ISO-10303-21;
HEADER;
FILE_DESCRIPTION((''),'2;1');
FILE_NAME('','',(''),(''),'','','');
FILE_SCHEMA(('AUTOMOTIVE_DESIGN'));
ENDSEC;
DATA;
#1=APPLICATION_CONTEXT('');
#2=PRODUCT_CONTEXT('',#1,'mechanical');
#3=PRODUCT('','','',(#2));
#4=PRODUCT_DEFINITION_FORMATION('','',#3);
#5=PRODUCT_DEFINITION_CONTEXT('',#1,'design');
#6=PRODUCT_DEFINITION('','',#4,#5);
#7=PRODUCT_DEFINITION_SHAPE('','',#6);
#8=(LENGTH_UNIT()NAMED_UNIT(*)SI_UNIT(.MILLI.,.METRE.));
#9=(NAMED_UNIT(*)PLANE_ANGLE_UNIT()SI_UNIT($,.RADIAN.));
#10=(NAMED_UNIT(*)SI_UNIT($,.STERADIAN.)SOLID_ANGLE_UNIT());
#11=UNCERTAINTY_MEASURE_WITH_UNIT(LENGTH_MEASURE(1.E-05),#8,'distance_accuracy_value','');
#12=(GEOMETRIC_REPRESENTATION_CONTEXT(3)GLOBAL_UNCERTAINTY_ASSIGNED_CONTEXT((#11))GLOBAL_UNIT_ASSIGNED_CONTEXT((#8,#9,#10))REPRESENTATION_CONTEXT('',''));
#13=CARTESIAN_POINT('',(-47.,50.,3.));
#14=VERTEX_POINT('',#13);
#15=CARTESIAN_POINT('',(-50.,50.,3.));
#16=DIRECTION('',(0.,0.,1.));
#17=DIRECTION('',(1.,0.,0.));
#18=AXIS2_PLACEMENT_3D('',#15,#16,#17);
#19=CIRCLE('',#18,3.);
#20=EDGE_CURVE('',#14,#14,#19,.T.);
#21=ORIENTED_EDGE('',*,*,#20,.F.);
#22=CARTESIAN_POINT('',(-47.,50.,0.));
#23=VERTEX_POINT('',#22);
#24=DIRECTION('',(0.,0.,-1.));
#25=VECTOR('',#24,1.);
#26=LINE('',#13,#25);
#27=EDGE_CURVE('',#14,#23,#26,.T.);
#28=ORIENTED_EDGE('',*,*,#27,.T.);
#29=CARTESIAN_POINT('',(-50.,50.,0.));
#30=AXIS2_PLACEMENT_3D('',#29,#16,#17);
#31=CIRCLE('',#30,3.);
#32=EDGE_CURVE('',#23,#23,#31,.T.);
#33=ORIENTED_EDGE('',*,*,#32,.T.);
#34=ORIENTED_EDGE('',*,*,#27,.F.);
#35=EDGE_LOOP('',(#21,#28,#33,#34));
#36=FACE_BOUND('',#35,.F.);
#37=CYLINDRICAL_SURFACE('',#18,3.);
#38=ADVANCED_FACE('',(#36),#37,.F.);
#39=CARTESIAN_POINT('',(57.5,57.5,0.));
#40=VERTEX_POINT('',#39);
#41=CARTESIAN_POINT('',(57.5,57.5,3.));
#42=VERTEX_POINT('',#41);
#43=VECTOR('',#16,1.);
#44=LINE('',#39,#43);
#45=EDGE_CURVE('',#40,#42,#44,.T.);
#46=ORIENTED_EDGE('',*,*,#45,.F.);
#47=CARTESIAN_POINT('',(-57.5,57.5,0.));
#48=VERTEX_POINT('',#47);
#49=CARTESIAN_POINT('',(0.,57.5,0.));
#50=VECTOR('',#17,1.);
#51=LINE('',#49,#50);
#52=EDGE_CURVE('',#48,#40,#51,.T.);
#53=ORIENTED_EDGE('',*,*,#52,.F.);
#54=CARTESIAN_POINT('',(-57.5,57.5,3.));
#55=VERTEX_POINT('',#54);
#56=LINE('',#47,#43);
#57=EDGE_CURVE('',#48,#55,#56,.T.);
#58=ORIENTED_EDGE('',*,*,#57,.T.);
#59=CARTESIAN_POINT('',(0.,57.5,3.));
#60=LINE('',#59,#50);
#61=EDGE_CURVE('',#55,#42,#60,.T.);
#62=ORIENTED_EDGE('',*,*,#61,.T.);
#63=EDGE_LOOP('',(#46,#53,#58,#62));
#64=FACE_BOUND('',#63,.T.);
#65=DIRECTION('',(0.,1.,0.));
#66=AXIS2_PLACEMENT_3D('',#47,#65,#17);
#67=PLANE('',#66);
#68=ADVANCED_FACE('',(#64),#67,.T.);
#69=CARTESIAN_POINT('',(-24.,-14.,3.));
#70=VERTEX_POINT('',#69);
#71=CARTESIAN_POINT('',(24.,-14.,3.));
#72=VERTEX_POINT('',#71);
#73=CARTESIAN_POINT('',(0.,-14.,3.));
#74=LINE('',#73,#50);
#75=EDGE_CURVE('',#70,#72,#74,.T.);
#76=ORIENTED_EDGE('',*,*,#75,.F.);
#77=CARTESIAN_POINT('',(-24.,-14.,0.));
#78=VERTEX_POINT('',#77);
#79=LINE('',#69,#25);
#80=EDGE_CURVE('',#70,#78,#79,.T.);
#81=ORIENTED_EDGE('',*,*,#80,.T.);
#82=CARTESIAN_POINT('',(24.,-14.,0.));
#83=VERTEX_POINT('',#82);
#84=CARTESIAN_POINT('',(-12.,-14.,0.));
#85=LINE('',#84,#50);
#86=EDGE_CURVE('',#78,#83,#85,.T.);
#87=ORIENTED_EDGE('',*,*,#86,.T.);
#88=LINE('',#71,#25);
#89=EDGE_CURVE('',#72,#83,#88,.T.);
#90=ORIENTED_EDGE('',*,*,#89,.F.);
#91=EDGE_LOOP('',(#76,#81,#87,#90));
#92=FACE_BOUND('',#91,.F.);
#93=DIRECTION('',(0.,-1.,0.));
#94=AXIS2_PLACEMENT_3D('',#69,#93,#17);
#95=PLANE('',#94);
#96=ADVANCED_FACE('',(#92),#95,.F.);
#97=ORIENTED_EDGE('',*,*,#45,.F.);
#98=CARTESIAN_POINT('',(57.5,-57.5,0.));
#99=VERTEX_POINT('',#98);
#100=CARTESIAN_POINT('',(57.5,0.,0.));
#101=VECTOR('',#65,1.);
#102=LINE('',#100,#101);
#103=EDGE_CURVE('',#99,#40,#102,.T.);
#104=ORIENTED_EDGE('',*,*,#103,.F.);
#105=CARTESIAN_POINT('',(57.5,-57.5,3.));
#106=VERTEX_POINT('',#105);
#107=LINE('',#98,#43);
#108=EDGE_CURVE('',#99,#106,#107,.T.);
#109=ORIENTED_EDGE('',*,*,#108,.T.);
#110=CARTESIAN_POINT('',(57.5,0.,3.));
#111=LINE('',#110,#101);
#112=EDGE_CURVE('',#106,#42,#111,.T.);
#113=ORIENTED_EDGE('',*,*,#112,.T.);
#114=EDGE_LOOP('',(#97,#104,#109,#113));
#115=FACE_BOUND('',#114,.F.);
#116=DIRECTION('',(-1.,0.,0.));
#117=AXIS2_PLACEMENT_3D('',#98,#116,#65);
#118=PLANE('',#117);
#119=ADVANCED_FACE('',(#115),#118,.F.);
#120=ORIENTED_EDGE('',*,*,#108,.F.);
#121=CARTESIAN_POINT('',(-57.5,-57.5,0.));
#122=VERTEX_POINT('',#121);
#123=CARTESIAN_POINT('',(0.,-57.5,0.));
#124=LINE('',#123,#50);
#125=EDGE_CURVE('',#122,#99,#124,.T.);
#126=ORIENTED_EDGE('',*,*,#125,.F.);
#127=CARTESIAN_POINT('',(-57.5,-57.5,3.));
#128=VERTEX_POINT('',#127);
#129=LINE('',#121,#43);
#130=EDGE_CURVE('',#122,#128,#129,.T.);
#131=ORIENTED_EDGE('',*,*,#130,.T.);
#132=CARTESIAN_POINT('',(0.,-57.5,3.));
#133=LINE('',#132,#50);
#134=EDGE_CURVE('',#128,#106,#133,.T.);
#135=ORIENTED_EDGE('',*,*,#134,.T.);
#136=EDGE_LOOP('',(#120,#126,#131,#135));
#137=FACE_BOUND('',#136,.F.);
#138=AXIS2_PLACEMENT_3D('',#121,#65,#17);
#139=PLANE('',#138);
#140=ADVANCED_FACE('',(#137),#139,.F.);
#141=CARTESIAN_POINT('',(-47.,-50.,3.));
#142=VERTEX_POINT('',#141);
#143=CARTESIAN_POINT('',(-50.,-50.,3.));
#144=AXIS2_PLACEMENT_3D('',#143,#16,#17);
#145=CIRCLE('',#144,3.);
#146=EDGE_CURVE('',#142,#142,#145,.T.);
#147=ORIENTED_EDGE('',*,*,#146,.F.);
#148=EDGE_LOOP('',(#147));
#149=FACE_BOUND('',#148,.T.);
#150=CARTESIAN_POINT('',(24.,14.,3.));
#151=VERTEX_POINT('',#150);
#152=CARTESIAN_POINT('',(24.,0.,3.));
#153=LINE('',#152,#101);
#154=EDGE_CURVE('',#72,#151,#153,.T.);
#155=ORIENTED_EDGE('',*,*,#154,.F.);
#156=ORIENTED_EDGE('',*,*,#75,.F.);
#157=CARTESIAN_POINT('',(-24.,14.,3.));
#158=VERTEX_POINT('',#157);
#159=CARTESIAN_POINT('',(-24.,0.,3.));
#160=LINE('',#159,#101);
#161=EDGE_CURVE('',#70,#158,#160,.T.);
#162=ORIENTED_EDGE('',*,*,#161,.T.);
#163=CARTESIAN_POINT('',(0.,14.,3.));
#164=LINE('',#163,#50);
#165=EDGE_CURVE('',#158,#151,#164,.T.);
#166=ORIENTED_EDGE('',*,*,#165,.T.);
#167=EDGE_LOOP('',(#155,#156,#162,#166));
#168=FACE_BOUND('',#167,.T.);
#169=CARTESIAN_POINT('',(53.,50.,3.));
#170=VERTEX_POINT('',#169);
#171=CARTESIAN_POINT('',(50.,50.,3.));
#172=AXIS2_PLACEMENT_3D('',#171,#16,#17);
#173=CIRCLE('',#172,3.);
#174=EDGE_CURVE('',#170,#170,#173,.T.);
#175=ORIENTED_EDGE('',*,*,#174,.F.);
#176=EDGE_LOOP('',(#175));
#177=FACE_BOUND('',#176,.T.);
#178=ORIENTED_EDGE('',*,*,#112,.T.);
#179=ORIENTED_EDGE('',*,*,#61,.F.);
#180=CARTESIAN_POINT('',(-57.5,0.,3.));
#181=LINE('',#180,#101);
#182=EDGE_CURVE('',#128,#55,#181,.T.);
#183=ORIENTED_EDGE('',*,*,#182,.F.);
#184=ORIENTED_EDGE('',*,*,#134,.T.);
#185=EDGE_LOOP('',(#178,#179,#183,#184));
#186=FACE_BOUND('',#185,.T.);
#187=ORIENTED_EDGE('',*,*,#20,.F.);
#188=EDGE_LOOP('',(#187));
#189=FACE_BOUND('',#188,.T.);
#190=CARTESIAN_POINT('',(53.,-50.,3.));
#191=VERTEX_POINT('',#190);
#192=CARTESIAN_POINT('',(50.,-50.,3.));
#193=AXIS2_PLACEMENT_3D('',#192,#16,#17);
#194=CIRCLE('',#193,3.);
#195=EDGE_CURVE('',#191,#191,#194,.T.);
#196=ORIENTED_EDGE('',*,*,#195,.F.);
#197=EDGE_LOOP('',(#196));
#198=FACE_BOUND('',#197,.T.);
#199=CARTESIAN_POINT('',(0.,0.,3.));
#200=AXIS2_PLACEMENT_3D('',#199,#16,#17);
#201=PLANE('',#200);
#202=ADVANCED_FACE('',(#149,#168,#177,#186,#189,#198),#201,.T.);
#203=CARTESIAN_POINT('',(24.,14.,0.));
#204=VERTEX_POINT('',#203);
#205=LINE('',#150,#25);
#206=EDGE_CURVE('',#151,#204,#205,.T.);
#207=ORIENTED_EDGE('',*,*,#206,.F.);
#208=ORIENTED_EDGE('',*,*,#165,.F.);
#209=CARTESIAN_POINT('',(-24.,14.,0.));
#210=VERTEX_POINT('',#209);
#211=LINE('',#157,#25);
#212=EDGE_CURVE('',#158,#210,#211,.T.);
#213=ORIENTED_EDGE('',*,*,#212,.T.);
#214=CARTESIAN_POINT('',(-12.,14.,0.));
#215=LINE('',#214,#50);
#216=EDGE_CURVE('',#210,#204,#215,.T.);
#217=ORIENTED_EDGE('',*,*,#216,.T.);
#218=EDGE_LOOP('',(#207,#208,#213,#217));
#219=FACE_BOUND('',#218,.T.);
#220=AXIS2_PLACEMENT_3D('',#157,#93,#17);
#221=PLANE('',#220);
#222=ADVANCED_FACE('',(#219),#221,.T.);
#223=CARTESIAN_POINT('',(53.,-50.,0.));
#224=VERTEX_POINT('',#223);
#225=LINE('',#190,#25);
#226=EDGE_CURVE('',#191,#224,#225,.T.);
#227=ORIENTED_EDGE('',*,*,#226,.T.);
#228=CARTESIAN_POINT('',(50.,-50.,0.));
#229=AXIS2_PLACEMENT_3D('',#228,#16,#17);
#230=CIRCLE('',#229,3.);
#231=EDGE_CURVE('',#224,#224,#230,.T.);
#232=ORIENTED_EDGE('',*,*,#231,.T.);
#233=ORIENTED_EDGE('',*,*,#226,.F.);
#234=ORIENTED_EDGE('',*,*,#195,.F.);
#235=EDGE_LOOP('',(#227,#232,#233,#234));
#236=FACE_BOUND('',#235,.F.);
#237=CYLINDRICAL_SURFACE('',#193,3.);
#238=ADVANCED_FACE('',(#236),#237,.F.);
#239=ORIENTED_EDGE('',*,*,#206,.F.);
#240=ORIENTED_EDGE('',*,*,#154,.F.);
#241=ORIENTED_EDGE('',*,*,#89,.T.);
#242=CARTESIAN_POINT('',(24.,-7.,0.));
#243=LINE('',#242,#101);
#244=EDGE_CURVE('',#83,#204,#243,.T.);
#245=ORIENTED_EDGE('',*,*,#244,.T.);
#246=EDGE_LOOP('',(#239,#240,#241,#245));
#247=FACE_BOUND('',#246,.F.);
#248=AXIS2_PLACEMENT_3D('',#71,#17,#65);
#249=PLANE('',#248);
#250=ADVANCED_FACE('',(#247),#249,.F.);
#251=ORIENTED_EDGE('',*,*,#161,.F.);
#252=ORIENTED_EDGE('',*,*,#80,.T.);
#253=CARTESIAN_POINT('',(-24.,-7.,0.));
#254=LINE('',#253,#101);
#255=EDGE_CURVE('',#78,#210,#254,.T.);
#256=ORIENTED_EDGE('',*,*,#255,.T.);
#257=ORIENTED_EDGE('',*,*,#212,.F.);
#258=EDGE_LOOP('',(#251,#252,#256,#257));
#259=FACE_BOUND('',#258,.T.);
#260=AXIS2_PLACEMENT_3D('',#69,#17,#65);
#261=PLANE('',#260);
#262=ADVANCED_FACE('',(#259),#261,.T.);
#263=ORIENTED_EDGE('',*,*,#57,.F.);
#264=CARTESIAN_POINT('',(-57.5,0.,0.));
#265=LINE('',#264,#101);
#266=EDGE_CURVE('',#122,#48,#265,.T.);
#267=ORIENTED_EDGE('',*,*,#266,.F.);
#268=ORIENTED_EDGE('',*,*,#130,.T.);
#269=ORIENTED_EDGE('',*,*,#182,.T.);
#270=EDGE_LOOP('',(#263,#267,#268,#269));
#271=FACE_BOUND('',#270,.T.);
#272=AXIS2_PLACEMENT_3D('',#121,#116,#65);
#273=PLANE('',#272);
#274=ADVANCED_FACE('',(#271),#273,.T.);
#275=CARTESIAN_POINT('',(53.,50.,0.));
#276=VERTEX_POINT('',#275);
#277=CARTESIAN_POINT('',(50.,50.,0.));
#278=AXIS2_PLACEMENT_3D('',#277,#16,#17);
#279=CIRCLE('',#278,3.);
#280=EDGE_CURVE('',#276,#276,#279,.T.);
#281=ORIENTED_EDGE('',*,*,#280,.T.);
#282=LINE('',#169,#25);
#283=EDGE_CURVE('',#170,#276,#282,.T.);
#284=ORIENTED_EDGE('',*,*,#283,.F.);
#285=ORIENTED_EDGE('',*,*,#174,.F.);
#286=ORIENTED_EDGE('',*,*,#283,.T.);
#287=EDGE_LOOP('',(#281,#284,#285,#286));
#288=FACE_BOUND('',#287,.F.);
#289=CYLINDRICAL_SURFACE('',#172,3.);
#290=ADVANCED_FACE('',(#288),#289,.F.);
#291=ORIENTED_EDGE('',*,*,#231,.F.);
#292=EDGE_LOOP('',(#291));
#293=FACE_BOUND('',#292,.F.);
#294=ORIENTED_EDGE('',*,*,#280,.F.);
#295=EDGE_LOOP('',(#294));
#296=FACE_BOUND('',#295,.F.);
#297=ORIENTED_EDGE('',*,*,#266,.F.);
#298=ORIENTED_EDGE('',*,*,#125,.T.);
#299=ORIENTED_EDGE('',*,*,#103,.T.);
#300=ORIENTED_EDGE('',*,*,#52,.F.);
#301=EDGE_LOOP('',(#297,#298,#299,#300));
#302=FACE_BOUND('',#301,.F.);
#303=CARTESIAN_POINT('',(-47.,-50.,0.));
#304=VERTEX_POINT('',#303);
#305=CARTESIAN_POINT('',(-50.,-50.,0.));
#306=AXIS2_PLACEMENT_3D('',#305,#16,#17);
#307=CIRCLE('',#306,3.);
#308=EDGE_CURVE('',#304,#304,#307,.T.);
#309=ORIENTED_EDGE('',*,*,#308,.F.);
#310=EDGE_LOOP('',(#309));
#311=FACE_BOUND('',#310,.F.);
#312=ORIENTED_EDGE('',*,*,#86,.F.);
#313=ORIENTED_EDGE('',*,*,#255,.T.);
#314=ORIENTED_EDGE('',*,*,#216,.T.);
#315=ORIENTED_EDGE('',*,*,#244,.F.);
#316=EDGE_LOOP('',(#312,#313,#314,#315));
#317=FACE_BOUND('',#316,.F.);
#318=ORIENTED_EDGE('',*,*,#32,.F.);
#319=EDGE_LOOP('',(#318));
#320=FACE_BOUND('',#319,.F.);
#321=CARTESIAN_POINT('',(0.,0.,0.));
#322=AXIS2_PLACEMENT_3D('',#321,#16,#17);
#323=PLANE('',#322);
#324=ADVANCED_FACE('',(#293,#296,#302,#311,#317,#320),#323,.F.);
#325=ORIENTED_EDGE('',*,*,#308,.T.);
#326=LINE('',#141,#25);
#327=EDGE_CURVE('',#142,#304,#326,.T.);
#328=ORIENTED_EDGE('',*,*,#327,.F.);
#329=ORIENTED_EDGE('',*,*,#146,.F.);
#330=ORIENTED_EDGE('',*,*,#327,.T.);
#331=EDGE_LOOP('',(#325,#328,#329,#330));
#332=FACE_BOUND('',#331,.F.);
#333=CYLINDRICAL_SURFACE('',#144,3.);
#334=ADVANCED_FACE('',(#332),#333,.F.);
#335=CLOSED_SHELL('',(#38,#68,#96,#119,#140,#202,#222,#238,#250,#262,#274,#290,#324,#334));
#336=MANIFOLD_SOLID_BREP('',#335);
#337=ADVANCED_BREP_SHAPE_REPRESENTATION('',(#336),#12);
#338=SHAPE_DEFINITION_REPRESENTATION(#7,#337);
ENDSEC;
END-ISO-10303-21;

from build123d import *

# Parameters (mm, degrees)
SKETCH_W        = 115
SKETCH_H        = 115
PAD_DEPTH       = 3
SKETCH001_W     = 48
SKETCH001_H     = 28
POCKET_DEPTH    = 5
SKETCH003_R     = 3
POCKET001_DEPTH = 5


with BuildPart() as part:
    # Sketch → Pad (new body)
    with BuildSketch(Plane.XY):
        Rectangle(SKETCH_W, SKETCH_H)
    extrude(amount=PAD_DEPTH)

    # Sketch001 (on Face6 of Pad) → Pocket (cut)
    with BuildSketch(Plane.XY.offset(3)):
        Rectangle(SKETCH001_W, SKETCH001_H)
    extrude(amount=-POCKET_DEPTH, mode=Mode.SUBTRACT)

    # Sketch003 (on Face5 of Pocket) → Pocket001 (cut)
    with BuildSketch(Plane.XY.offset(3)):
        with Locations((50, -50)):
            Circle(SKETCH003_R)
        with Locations((-50, -50)):
            Circle(SKETCH003_R)
        with Locations((-50, 50)):
            Circle(SKETCH003_R)
        with Locations((50, 50)):
            Circle(SKETCH003_R)
    extrude(amount=-POCKET001_DEPTH, mode=Mode.SUBTRACT)


solid = part.part
